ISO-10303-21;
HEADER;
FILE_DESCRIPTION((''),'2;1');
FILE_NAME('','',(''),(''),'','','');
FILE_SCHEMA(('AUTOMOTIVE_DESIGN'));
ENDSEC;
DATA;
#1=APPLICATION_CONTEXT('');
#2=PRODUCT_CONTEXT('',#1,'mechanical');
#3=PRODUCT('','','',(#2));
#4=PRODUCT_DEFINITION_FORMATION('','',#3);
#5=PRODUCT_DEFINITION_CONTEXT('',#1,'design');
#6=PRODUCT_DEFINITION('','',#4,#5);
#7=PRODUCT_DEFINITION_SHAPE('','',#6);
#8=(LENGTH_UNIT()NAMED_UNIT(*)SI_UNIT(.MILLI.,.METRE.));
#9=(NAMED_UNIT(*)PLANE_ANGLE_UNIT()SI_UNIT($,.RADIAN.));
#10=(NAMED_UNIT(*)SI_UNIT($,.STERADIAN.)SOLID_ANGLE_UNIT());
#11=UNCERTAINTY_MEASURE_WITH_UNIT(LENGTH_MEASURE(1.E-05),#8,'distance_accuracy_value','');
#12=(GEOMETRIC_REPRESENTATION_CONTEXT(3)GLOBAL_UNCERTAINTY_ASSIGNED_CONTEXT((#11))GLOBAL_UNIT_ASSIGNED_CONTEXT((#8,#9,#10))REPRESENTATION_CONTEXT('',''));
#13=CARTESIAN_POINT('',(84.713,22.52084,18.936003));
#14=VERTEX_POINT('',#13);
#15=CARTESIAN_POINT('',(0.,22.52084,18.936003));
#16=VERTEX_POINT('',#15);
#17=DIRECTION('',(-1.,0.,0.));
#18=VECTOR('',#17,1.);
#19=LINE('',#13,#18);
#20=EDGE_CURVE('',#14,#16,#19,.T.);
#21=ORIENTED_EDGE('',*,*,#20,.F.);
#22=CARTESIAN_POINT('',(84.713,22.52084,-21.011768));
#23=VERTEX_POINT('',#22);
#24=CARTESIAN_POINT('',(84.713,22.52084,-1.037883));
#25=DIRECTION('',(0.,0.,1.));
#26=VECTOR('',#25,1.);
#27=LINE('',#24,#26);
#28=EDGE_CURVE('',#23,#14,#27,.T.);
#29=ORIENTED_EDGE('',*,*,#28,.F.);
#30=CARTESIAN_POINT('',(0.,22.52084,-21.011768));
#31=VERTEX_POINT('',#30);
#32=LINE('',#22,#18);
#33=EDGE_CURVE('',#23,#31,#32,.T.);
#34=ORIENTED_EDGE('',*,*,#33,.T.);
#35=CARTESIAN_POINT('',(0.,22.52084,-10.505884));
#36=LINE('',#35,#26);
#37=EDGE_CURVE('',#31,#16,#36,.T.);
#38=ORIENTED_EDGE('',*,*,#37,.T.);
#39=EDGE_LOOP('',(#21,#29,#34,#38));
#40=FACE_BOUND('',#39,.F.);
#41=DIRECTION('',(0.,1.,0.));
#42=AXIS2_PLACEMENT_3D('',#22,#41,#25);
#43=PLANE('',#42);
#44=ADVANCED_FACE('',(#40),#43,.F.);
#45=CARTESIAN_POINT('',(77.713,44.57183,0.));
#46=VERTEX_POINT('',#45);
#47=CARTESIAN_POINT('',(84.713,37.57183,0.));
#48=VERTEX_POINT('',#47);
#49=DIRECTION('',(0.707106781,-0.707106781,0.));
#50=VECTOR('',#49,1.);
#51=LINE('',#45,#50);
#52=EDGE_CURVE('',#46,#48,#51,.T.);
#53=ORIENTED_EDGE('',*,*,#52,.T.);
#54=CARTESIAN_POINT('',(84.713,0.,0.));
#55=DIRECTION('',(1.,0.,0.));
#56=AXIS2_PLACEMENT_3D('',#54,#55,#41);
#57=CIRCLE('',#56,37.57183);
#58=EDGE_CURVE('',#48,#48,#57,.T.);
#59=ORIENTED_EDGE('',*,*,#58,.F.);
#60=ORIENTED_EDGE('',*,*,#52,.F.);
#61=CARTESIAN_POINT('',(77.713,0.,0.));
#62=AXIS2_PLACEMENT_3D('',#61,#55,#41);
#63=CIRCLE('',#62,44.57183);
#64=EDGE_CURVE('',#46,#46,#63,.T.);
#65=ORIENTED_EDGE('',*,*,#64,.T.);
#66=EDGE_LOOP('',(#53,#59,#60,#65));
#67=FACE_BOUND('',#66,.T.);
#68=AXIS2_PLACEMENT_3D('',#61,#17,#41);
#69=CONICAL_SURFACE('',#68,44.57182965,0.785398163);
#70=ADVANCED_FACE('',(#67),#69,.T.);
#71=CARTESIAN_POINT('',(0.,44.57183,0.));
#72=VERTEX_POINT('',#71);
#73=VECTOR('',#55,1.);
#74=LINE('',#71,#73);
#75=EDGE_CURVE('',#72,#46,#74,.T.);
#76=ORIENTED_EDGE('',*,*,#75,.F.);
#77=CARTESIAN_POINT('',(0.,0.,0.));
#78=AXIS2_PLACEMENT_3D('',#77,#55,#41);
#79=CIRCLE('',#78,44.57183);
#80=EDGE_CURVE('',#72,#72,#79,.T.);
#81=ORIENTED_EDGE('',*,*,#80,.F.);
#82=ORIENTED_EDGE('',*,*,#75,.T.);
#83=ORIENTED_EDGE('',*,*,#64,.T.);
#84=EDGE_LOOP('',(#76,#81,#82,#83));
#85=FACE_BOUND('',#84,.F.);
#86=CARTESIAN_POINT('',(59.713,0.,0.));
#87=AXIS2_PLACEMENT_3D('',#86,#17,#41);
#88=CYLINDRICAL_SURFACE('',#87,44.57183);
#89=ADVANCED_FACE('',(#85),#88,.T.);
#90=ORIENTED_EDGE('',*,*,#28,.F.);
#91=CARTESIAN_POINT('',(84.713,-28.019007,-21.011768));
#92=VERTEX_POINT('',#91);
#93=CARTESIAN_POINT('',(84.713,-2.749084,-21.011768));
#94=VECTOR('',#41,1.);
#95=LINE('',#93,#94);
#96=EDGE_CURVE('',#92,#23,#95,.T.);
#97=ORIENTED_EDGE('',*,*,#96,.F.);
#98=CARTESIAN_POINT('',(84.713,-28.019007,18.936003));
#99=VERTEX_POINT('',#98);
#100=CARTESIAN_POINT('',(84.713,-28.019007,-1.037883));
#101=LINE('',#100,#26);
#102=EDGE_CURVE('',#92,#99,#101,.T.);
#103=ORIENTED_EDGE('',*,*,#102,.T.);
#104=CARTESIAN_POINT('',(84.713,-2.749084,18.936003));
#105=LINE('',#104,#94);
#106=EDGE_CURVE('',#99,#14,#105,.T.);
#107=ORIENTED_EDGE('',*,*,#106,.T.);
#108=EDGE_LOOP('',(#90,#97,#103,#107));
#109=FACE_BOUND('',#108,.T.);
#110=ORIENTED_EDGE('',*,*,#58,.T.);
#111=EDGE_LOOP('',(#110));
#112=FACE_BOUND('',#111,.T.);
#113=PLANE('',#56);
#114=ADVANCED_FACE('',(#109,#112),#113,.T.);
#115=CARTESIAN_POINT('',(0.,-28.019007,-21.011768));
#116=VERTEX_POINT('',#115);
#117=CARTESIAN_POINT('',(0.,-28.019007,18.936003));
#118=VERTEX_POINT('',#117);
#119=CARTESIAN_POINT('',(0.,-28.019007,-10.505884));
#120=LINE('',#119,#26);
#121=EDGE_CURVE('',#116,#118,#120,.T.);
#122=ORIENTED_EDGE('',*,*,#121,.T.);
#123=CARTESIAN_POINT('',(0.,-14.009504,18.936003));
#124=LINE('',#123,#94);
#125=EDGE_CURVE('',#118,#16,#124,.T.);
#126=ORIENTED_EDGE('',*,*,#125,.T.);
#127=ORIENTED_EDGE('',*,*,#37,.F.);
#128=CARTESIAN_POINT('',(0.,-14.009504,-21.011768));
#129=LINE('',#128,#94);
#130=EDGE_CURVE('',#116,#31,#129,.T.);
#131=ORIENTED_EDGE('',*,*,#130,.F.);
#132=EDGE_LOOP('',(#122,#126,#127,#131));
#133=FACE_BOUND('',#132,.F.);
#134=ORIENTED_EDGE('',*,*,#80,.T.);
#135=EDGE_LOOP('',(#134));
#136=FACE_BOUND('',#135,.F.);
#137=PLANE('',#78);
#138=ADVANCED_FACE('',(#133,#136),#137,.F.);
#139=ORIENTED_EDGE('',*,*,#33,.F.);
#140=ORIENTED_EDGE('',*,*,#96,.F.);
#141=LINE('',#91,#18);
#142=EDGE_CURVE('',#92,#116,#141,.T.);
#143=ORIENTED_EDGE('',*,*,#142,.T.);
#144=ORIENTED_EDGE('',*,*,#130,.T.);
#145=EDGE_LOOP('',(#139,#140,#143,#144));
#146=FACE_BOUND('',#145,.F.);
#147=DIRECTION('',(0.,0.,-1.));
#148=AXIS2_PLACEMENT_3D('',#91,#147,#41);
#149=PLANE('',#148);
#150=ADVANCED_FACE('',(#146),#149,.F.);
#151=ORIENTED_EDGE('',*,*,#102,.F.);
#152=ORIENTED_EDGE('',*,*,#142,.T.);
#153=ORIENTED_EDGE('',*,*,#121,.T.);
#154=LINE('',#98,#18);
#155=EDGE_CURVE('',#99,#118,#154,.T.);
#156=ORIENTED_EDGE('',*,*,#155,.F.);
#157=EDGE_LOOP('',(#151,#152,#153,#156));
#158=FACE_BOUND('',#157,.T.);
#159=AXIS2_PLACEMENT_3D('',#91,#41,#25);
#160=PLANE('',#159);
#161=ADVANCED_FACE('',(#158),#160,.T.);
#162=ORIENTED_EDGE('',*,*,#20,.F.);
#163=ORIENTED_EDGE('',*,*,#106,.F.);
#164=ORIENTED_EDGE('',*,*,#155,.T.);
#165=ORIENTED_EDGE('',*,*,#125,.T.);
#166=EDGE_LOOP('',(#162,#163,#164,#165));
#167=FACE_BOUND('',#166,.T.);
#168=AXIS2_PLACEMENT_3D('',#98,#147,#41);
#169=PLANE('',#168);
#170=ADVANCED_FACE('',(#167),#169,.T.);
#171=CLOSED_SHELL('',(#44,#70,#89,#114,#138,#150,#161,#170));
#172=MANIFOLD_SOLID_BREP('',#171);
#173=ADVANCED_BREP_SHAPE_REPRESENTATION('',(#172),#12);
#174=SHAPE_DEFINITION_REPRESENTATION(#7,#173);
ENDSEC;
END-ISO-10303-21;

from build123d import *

# Parameters (mm, degrees)
F0_R     = 44.5718296496
F1_DEPTH = 59.713
F2_DEPTH = 25
F3_W     = 50.5398474634
F3_H     = 39.9477705359
F4_DEPTH = 128.1019449234
F5_SIZE  = 7


with BuildPart() as f1:
    # F0 (on Right) → F1 (new body)
    with BuildSketch(Plane.YZ):
        Circle(F0_R)
    extrude(amount=F1_DEPTH)

    # F2 (add): a face of the model
    f2_faces = [f1.faces().sort_by_distance(p)[0] for p in [
        (59.713, 0, 0),
    ]]
    extrude(f2_faces, amount=F2_DEPTH)

    # F3 (on face) → F4 (cut)
    with BuildSketch(Plane.YZ.offset(84.713)):
        with Locations((-2.7490835637, -1.037882641)):
            Rectangle(F3_W, F3_H)
    extrude(amount=-F4_DEPTH, mode=Mode.SUBTRACT)

    # F5
    f5_edges = [f1.edges().sort_by_distance(p)[0] for p in [
        (84.713, -44.57183, 0),
    ]]
    chamfer(f5_edges, length=F5_SIZE)


solid = f1.part
